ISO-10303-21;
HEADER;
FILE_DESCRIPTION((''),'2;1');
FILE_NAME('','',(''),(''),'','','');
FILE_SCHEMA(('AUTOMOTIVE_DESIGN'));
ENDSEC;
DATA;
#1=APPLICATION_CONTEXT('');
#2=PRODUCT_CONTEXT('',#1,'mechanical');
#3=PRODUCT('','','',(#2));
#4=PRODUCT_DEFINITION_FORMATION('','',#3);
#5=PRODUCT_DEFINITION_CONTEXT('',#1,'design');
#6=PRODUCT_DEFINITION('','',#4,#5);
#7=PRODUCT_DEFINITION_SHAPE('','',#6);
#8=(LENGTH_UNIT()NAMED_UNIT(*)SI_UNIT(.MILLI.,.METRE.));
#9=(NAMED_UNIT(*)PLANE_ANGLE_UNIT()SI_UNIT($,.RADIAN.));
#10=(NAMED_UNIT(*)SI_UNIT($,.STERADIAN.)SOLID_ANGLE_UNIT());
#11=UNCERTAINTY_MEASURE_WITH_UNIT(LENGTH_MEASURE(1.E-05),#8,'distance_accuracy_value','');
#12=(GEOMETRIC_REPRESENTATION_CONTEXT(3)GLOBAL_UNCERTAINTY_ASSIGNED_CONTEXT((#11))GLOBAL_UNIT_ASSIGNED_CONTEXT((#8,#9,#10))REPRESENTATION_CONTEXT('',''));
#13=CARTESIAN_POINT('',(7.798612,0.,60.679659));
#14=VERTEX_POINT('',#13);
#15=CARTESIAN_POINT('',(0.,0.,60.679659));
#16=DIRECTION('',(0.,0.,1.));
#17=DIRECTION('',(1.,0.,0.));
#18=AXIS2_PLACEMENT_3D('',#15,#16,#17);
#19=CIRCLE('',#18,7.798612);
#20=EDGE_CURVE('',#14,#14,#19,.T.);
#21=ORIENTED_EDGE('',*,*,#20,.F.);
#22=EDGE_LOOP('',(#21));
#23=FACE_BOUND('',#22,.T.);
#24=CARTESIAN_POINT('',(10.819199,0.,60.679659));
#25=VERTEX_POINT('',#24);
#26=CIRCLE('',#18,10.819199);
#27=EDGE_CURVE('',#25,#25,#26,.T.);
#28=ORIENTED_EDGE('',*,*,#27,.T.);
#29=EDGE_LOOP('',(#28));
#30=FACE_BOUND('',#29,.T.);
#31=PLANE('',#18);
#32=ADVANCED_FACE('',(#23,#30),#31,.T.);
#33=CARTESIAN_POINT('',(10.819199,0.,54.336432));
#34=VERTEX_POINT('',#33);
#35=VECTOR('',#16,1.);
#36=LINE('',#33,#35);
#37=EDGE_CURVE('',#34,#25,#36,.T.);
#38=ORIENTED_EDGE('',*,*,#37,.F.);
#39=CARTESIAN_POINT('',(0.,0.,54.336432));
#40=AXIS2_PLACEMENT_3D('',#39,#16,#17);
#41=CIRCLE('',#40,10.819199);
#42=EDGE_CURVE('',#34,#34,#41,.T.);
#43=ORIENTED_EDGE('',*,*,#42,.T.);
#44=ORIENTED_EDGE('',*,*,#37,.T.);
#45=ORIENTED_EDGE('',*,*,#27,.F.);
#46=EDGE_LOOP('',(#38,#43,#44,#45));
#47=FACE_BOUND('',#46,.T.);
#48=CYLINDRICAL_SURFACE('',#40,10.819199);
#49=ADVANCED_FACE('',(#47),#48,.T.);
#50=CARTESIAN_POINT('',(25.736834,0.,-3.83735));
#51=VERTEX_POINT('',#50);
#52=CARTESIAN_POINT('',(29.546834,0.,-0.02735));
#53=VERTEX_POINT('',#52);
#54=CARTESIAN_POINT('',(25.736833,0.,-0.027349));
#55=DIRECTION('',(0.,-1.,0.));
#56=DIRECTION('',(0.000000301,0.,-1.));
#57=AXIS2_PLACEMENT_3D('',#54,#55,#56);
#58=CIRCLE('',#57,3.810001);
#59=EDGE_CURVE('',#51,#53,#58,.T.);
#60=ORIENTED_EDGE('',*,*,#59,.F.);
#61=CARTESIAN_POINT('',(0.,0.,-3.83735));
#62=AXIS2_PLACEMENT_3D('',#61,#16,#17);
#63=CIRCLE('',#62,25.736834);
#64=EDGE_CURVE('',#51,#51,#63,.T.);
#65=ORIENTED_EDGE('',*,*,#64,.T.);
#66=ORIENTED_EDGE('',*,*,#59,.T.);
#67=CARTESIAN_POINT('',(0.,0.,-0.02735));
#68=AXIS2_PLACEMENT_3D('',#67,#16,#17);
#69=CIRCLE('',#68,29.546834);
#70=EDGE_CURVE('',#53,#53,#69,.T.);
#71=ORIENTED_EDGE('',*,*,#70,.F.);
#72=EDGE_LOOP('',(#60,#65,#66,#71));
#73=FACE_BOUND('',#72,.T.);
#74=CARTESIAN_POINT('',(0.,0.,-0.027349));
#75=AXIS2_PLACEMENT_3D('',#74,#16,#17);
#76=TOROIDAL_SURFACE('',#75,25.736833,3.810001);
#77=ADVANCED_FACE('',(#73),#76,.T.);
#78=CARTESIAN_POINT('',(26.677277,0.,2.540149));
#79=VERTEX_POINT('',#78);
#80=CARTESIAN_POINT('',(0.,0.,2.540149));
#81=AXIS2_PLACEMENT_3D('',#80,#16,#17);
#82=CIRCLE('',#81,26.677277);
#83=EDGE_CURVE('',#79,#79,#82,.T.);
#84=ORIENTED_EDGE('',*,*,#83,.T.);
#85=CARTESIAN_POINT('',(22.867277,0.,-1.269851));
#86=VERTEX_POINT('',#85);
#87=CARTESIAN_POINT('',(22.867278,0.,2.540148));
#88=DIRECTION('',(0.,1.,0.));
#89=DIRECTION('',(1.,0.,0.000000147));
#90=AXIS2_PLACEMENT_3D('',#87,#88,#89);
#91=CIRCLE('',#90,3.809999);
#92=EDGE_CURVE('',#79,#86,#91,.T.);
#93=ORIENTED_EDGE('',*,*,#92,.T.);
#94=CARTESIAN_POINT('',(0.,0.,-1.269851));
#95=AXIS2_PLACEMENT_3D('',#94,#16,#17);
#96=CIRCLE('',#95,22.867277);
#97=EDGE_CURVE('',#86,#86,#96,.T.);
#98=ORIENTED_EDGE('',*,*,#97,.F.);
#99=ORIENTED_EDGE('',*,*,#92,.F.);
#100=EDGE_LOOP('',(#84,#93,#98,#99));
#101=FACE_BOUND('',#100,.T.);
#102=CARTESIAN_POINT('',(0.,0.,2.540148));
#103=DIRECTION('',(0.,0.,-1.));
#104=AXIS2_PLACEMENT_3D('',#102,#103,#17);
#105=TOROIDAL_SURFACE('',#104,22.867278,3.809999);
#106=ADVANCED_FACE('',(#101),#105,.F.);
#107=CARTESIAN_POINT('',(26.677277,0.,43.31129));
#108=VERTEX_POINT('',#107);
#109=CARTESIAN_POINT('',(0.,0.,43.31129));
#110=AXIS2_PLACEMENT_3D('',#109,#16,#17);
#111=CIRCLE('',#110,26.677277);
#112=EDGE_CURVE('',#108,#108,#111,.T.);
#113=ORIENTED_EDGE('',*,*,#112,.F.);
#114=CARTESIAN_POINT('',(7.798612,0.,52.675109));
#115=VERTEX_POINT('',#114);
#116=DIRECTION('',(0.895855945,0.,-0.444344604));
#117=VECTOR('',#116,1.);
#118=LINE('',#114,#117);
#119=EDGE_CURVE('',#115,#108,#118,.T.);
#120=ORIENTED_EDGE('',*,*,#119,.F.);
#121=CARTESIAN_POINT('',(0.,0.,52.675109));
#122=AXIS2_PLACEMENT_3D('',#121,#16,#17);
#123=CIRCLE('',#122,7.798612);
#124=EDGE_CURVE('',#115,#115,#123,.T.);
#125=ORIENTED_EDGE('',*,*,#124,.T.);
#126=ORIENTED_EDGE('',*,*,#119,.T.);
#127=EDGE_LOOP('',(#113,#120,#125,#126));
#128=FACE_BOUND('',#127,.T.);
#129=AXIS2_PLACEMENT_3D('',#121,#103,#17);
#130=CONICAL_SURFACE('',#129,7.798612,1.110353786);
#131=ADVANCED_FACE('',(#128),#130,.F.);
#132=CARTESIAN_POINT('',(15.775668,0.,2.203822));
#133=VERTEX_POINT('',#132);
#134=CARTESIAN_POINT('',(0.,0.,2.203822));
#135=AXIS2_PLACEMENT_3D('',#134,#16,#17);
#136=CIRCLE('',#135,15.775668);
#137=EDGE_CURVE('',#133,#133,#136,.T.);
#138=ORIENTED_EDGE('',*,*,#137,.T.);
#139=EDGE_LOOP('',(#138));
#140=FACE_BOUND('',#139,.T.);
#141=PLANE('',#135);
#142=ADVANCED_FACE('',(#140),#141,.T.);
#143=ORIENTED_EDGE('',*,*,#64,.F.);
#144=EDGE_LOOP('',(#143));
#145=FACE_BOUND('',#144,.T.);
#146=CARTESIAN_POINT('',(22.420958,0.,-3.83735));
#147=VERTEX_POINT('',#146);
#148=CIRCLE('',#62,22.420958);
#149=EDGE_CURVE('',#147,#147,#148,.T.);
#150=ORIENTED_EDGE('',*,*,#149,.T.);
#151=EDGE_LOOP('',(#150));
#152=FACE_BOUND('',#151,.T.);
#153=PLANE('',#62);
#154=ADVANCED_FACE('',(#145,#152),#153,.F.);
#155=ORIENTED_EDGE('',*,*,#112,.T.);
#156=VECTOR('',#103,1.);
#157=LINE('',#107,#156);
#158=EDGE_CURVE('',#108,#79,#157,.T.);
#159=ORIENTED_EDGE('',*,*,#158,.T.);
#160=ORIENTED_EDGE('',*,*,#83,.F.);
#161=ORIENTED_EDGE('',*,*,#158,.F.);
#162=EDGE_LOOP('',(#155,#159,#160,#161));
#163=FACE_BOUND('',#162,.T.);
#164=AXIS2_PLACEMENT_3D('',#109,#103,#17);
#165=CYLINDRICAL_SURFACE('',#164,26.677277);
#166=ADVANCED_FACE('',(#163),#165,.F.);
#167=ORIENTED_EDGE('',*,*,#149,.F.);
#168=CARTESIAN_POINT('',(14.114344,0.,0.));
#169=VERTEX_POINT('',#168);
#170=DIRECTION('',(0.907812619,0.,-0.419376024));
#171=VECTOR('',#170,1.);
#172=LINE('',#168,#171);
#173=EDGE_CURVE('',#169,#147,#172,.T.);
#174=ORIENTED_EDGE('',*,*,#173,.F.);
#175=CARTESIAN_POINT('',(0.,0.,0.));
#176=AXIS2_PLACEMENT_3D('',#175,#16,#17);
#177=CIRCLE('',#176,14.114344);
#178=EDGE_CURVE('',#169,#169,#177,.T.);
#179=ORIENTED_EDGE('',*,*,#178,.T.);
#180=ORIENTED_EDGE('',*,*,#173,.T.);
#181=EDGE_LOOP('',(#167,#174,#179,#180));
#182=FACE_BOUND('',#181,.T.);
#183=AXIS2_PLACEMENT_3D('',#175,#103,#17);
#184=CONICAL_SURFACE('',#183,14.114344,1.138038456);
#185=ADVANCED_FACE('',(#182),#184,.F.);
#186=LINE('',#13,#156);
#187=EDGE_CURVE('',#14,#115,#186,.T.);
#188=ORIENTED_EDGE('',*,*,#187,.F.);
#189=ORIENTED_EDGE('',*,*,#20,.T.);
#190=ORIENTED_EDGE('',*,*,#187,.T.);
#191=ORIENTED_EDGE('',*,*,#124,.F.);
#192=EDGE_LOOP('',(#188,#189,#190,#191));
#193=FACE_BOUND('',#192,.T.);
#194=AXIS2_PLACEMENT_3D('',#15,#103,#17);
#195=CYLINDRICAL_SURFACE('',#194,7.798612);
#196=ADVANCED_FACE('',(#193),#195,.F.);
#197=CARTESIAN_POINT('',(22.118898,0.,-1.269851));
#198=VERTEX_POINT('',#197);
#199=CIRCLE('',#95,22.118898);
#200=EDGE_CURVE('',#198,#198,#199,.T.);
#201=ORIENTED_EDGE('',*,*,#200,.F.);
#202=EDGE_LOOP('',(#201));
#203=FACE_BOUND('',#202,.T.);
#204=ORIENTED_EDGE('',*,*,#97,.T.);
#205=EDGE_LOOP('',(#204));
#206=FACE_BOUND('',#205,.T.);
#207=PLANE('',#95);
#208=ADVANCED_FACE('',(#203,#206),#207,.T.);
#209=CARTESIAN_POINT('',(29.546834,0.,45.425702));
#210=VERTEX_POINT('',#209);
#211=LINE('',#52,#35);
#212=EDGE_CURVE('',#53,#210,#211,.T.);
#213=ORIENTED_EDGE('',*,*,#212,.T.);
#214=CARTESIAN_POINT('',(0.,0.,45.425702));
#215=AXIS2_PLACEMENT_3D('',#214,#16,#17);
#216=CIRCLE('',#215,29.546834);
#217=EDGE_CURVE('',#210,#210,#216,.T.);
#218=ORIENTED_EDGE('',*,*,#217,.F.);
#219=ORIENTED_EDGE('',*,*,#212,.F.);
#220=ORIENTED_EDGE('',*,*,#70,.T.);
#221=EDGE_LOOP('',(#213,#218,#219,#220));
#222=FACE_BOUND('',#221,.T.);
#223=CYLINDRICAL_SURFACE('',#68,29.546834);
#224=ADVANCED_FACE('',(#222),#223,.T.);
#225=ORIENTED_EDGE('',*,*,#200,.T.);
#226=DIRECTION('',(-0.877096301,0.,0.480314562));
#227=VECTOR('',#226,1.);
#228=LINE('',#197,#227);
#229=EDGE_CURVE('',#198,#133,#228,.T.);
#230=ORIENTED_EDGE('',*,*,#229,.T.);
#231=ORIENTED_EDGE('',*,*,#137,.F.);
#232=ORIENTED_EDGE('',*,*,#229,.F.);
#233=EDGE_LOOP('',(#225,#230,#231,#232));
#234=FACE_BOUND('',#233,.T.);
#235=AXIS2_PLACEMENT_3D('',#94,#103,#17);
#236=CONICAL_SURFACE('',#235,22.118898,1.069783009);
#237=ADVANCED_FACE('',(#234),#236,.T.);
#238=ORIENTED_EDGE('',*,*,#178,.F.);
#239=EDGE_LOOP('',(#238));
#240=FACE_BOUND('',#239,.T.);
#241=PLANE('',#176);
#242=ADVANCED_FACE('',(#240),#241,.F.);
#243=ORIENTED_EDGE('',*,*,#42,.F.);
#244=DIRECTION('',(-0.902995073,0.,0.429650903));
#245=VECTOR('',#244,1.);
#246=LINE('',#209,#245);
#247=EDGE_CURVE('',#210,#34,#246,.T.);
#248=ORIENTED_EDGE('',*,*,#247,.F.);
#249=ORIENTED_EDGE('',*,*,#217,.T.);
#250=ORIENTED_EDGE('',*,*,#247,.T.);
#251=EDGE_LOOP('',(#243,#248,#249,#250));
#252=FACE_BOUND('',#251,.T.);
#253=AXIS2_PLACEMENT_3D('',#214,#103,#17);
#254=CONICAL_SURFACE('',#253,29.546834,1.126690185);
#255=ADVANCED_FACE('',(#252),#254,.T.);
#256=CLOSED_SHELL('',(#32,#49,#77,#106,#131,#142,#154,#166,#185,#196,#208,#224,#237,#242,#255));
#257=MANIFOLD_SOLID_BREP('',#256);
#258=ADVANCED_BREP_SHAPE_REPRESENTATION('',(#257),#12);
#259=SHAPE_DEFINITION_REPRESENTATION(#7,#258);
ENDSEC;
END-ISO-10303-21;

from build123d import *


with BuildPart() as f1:
    # F0 (on Front) → F1 (revolve)
    with BuildSketch(Plane.XZ):
        with BuildLine():
            Line((0, 2.203822), (0, 0))
            Line((0, 0), (14.114344, 0))
            Line((14.114344, 0), (22.420958, -3.83735))
            Line((22.420958, -3.83735), (25.736834, -3.83735))
            ThreePointArc((25.736834, -3.83735), (28.430911, -2.721426), (29.546834, -0.02735))
            Line((29.546834, -0.02735), (29.546834, 45.425702))
            Line((29.546834, 45.425702), (10.819199, 54.336432))
            Line((10.819199, 54.336432), (10.819199, 60.679659))
            Line((10.819199, 60.679659), (7.798612, 60.679659))
            Line((7.798612, 60.679659), (7.798612, 52.675109))
            Line((7.798612, 52.675109), (26.677277, 43.31129))
            Line((26.677277, 43.31129), (26.677277, 2.540149))
            ThreePointArc((26.677277, 2.540149), (25.561354, -0.153928), (22.867277, -1.269851))
            Line((22.867277, -1.269851), (22.118898, -1.269851))
            Line((22.118898, -1.269851), (15.775668, 2.203822))
            Line((15.775668, 2.203822), (0, 2.203822))
        make_face()
    revolve(axis=Axis((0, 0, 30.669179), (0, 0, 1)))


solid = f1.part
